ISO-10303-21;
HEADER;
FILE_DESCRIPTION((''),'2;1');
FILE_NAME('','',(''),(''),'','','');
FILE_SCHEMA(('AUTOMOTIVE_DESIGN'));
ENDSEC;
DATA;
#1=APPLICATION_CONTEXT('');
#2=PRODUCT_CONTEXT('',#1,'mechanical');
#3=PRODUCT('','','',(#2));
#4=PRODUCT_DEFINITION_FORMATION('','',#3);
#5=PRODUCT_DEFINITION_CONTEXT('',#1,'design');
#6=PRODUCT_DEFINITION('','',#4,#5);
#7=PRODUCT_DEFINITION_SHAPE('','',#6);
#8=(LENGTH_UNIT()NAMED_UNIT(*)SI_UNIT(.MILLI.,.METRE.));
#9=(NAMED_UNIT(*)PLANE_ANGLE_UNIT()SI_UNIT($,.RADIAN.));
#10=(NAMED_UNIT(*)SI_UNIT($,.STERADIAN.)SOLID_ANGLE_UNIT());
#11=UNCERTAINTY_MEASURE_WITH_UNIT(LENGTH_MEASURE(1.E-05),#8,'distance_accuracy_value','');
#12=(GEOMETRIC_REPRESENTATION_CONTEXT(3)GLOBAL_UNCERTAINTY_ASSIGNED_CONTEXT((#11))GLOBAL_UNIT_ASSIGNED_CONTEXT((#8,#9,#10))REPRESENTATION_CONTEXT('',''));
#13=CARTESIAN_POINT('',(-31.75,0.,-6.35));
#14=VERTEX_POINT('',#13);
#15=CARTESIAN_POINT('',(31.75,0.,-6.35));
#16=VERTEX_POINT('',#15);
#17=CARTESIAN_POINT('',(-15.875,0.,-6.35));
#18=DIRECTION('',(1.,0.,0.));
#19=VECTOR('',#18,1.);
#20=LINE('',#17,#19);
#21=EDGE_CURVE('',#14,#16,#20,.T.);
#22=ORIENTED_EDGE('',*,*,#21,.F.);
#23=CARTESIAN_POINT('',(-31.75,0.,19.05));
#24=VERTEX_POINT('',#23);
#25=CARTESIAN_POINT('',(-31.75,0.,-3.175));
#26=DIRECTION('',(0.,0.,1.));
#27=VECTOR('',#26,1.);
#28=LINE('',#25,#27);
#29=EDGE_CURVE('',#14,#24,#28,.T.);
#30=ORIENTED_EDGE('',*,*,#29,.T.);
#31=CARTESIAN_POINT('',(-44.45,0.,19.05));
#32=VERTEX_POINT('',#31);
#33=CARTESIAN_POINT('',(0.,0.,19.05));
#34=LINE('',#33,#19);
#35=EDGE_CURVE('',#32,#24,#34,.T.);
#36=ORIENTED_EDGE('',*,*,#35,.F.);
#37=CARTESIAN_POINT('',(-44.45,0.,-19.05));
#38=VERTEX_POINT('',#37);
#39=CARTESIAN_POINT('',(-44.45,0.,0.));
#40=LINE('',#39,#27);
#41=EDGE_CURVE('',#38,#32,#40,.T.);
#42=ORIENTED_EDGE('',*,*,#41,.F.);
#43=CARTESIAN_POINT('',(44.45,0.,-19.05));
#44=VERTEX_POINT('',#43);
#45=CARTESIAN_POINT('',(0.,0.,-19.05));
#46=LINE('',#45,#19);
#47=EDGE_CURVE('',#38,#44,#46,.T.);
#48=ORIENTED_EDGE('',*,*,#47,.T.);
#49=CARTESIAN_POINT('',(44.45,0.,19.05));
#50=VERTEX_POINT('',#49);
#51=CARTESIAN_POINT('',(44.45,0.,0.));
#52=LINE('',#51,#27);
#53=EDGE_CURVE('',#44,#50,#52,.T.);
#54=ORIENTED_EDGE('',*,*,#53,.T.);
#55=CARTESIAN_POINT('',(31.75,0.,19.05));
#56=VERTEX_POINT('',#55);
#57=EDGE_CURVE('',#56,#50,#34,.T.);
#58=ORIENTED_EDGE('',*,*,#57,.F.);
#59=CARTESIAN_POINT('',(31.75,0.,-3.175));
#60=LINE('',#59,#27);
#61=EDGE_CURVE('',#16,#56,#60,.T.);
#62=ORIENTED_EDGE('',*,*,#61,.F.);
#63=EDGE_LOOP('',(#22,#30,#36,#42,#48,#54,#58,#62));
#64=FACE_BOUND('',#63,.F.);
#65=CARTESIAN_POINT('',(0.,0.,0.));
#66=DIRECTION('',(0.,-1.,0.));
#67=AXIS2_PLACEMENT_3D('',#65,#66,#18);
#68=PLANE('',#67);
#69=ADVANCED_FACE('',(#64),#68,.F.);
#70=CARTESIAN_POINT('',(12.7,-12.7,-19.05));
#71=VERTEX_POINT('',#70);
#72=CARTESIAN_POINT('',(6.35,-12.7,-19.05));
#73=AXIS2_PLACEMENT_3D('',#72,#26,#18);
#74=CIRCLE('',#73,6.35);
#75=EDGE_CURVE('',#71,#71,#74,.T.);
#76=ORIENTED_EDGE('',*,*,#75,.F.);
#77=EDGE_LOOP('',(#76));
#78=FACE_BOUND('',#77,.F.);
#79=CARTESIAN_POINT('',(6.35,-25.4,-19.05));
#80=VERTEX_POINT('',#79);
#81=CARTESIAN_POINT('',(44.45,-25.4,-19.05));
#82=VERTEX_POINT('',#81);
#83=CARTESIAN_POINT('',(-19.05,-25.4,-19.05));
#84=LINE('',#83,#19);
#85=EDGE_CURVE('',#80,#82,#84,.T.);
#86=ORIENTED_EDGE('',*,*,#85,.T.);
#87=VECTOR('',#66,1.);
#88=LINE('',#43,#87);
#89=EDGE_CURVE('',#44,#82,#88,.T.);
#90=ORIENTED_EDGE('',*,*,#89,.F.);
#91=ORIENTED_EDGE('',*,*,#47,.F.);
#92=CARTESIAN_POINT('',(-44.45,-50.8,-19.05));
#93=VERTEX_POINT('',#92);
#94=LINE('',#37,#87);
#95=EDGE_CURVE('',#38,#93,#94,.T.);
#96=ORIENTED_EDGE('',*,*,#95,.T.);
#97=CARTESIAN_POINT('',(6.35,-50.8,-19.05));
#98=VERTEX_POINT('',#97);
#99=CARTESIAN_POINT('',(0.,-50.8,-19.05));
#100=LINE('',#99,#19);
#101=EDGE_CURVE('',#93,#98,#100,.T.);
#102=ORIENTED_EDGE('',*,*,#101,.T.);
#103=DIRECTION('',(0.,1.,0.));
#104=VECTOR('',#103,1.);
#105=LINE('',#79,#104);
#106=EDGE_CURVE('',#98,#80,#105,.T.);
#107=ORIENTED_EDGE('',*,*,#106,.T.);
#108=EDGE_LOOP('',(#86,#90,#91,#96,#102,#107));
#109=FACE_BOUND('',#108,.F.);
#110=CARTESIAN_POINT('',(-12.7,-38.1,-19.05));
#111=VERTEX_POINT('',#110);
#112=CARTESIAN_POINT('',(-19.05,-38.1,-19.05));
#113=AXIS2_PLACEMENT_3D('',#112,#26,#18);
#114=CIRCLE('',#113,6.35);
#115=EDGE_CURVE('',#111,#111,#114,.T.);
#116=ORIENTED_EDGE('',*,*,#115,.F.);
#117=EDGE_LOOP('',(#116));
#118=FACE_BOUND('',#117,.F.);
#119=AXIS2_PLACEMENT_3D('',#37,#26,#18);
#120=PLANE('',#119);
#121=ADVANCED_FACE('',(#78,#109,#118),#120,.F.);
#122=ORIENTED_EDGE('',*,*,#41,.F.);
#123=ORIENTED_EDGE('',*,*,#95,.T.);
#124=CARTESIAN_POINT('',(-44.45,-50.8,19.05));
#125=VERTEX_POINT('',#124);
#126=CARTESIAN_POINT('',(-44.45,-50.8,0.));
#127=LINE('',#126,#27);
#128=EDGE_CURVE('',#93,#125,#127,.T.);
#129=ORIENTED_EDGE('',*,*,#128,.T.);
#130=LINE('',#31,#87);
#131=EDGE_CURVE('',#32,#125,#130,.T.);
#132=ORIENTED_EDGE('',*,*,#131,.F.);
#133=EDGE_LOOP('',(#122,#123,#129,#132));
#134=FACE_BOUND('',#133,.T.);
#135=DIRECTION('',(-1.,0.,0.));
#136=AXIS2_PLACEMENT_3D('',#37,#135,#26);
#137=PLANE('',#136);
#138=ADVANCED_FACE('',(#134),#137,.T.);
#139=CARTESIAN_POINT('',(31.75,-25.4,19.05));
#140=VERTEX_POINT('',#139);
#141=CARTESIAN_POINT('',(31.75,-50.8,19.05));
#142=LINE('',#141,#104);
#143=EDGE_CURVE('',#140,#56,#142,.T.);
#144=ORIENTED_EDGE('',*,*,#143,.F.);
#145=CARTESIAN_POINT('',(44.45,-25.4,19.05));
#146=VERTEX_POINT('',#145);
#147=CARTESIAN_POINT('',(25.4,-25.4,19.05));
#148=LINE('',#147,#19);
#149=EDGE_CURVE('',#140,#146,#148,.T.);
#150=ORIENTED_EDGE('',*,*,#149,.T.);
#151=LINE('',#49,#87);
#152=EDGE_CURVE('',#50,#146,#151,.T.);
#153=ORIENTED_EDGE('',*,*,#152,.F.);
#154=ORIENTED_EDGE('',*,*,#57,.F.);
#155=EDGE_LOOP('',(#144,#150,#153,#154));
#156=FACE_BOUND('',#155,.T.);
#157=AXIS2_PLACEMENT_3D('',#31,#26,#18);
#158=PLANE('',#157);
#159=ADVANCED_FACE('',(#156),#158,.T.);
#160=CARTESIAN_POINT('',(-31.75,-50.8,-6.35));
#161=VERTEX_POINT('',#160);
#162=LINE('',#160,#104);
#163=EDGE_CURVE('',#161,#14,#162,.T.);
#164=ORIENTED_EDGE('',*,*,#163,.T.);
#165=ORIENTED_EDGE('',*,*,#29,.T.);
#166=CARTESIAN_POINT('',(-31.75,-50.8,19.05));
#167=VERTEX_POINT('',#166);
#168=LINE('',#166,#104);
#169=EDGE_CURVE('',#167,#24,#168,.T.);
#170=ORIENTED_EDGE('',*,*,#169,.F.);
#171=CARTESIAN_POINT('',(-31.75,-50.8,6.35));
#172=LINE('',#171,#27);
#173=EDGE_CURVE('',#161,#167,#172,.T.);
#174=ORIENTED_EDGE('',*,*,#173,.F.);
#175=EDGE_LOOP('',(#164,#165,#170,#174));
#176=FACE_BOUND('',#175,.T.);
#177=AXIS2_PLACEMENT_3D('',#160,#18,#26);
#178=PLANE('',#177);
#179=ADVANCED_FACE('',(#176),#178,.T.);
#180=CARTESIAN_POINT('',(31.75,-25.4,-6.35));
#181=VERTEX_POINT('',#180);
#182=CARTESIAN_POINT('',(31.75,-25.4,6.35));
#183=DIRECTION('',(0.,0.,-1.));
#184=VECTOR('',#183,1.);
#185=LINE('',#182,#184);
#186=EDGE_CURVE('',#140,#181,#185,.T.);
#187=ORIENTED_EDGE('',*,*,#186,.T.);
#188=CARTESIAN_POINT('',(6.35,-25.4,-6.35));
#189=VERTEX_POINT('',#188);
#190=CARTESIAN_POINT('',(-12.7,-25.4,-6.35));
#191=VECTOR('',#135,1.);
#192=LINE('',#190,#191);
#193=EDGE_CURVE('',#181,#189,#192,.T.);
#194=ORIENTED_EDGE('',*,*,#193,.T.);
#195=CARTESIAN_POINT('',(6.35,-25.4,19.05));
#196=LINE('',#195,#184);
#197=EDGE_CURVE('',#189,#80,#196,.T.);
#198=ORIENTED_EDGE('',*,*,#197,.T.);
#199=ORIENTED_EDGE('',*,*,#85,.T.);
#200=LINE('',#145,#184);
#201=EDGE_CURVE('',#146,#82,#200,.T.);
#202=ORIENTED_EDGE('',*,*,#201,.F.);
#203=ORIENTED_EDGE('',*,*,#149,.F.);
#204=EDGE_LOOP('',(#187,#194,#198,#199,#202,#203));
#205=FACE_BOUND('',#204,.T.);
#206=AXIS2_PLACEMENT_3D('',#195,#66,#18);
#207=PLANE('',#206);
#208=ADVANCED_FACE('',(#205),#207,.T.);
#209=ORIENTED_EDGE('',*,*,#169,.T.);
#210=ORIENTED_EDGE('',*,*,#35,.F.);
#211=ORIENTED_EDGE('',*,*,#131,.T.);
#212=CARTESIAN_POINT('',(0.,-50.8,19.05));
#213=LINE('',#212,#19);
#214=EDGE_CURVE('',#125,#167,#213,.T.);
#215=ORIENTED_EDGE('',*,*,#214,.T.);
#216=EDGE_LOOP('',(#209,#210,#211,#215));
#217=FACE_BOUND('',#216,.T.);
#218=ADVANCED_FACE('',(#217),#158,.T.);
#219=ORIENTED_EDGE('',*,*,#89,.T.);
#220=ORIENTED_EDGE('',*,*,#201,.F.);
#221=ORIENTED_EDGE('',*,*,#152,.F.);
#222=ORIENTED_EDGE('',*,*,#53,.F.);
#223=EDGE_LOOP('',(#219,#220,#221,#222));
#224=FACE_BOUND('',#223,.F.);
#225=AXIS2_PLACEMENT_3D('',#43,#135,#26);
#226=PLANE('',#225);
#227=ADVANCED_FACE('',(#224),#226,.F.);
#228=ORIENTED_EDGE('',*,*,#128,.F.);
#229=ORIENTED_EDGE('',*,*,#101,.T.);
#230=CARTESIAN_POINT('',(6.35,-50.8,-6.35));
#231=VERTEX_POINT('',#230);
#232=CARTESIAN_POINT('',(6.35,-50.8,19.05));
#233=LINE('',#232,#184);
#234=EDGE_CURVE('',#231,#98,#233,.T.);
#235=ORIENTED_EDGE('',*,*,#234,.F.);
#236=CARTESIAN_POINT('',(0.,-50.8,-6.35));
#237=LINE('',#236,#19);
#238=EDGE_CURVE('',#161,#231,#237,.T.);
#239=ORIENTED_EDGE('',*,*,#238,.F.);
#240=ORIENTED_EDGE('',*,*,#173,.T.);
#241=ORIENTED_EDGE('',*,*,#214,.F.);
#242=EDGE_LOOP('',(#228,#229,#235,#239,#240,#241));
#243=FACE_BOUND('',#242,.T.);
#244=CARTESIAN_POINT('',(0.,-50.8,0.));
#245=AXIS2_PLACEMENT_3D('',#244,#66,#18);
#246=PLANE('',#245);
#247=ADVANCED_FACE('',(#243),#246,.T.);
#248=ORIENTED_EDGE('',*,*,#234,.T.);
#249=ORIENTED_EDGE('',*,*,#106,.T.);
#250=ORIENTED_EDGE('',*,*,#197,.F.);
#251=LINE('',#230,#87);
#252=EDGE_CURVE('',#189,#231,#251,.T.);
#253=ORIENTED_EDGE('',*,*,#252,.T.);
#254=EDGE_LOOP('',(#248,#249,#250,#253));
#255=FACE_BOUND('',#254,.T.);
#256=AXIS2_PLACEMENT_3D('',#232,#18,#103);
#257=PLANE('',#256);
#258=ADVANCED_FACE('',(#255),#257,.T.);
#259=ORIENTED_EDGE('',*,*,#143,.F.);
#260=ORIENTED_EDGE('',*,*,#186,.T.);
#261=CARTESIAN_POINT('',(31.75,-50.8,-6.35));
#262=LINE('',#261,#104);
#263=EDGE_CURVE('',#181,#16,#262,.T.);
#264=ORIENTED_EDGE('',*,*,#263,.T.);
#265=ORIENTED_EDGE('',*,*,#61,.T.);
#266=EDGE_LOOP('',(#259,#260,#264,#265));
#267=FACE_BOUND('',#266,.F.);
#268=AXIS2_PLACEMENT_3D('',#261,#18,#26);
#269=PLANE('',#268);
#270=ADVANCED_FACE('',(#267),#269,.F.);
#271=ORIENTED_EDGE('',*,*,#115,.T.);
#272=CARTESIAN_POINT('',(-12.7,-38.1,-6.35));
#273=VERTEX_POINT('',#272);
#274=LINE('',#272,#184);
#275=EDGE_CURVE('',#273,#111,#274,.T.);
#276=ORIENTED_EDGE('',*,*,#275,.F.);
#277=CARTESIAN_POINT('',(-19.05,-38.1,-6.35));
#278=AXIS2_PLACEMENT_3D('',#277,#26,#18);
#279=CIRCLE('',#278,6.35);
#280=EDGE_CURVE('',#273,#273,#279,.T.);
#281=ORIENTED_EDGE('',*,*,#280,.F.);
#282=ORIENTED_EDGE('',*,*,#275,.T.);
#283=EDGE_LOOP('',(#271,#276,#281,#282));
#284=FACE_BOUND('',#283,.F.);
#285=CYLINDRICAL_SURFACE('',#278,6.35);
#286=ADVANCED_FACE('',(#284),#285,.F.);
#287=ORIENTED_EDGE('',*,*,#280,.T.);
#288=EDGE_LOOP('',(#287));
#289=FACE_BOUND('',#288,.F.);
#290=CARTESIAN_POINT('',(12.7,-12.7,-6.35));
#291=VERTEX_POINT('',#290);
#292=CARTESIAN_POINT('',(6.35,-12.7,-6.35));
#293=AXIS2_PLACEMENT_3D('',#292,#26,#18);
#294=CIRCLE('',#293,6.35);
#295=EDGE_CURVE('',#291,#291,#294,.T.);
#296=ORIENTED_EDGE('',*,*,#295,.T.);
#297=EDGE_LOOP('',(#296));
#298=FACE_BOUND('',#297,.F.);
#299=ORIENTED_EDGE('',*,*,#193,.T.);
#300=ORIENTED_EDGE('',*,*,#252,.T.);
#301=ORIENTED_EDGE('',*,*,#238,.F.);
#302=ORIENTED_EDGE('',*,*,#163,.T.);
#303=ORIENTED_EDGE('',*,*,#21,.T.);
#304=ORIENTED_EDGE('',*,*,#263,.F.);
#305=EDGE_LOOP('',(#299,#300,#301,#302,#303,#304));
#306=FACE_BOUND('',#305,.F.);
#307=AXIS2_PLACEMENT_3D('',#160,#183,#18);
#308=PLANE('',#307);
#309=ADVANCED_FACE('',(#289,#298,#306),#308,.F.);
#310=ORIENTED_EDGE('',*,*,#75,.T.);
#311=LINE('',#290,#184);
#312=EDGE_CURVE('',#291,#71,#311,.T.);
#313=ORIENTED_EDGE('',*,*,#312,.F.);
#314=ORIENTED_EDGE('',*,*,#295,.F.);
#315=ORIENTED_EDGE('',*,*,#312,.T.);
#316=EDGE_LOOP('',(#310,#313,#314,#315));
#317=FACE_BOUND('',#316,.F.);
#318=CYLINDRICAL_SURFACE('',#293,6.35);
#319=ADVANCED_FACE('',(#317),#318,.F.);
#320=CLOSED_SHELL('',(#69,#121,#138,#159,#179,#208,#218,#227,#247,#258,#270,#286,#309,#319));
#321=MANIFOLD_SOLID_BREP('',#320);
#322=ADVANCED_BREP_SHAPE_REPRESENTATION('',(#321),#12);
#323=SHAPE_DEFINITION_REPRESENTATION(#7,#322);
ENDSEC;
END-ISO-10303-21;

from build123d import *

# Parameters (mm, degrees)
F0_W     = 88.9
F0_H     = 38.1
F1_DEPTH = 50.8
F2_W     = 63.5
F2_H     = 25.4
F3_DEPTH = 50.801
F4_W     = 38.1
F4_H     = 25.4
F5_DEPTH = 38.101
F6_R     = 6.35
F7_DEPTH = 12.701
F8_R     = 6.35
F9_DEPTH = 12.701


with BuildPart() as f1:
    # F0 (on Front) → F1 (new body)
    with BuildSketch(Plane.XZ):
        Rectangle(F0_W, F0_H)
    extrude(amount=F1_DEPTH)

    # F2 (on face) → F3 (cut, through all)
    with BuildSketch(Plane.XZ.offset(50.8)):
        with Locations((0, 6.35)):
            Rectangle(F2_W, F2_H)
    extrude(amount=-F3_DEPTH, mode=Mode.SUBTRACT)

    # F4 (on face) → F5 (cut, through all)
    with BuildSketch(Plane.XY.offset(19.05)):
        with Locations((25.4, -38.1)):
            Rectangle(F4_W, F4_H)
    extrude(amount=-F5_DEPTH, mode=Mode.SUBTRACT)

    # F6 (on face) → F7 (cut, through all)
    with BuildSketch(Plane.XY.offset(-6.35)):
        with Locations((6.35, -12.7)):
            Circle(F6_R)
    extrude(amount=-F7_DEPTH, mode=Mode.SUBTRACT)

    # F8 (on face) → F9 (cut, through all)
    with BuildSketch(Plane.XY.offset(-6.35)):
        with Locations((-19.05, -38.1)):
            Circle(F8_R)
    extrude(amount=-F9_DEPTH, mode=Mode.SUBTRACT)


solid = f1.part
